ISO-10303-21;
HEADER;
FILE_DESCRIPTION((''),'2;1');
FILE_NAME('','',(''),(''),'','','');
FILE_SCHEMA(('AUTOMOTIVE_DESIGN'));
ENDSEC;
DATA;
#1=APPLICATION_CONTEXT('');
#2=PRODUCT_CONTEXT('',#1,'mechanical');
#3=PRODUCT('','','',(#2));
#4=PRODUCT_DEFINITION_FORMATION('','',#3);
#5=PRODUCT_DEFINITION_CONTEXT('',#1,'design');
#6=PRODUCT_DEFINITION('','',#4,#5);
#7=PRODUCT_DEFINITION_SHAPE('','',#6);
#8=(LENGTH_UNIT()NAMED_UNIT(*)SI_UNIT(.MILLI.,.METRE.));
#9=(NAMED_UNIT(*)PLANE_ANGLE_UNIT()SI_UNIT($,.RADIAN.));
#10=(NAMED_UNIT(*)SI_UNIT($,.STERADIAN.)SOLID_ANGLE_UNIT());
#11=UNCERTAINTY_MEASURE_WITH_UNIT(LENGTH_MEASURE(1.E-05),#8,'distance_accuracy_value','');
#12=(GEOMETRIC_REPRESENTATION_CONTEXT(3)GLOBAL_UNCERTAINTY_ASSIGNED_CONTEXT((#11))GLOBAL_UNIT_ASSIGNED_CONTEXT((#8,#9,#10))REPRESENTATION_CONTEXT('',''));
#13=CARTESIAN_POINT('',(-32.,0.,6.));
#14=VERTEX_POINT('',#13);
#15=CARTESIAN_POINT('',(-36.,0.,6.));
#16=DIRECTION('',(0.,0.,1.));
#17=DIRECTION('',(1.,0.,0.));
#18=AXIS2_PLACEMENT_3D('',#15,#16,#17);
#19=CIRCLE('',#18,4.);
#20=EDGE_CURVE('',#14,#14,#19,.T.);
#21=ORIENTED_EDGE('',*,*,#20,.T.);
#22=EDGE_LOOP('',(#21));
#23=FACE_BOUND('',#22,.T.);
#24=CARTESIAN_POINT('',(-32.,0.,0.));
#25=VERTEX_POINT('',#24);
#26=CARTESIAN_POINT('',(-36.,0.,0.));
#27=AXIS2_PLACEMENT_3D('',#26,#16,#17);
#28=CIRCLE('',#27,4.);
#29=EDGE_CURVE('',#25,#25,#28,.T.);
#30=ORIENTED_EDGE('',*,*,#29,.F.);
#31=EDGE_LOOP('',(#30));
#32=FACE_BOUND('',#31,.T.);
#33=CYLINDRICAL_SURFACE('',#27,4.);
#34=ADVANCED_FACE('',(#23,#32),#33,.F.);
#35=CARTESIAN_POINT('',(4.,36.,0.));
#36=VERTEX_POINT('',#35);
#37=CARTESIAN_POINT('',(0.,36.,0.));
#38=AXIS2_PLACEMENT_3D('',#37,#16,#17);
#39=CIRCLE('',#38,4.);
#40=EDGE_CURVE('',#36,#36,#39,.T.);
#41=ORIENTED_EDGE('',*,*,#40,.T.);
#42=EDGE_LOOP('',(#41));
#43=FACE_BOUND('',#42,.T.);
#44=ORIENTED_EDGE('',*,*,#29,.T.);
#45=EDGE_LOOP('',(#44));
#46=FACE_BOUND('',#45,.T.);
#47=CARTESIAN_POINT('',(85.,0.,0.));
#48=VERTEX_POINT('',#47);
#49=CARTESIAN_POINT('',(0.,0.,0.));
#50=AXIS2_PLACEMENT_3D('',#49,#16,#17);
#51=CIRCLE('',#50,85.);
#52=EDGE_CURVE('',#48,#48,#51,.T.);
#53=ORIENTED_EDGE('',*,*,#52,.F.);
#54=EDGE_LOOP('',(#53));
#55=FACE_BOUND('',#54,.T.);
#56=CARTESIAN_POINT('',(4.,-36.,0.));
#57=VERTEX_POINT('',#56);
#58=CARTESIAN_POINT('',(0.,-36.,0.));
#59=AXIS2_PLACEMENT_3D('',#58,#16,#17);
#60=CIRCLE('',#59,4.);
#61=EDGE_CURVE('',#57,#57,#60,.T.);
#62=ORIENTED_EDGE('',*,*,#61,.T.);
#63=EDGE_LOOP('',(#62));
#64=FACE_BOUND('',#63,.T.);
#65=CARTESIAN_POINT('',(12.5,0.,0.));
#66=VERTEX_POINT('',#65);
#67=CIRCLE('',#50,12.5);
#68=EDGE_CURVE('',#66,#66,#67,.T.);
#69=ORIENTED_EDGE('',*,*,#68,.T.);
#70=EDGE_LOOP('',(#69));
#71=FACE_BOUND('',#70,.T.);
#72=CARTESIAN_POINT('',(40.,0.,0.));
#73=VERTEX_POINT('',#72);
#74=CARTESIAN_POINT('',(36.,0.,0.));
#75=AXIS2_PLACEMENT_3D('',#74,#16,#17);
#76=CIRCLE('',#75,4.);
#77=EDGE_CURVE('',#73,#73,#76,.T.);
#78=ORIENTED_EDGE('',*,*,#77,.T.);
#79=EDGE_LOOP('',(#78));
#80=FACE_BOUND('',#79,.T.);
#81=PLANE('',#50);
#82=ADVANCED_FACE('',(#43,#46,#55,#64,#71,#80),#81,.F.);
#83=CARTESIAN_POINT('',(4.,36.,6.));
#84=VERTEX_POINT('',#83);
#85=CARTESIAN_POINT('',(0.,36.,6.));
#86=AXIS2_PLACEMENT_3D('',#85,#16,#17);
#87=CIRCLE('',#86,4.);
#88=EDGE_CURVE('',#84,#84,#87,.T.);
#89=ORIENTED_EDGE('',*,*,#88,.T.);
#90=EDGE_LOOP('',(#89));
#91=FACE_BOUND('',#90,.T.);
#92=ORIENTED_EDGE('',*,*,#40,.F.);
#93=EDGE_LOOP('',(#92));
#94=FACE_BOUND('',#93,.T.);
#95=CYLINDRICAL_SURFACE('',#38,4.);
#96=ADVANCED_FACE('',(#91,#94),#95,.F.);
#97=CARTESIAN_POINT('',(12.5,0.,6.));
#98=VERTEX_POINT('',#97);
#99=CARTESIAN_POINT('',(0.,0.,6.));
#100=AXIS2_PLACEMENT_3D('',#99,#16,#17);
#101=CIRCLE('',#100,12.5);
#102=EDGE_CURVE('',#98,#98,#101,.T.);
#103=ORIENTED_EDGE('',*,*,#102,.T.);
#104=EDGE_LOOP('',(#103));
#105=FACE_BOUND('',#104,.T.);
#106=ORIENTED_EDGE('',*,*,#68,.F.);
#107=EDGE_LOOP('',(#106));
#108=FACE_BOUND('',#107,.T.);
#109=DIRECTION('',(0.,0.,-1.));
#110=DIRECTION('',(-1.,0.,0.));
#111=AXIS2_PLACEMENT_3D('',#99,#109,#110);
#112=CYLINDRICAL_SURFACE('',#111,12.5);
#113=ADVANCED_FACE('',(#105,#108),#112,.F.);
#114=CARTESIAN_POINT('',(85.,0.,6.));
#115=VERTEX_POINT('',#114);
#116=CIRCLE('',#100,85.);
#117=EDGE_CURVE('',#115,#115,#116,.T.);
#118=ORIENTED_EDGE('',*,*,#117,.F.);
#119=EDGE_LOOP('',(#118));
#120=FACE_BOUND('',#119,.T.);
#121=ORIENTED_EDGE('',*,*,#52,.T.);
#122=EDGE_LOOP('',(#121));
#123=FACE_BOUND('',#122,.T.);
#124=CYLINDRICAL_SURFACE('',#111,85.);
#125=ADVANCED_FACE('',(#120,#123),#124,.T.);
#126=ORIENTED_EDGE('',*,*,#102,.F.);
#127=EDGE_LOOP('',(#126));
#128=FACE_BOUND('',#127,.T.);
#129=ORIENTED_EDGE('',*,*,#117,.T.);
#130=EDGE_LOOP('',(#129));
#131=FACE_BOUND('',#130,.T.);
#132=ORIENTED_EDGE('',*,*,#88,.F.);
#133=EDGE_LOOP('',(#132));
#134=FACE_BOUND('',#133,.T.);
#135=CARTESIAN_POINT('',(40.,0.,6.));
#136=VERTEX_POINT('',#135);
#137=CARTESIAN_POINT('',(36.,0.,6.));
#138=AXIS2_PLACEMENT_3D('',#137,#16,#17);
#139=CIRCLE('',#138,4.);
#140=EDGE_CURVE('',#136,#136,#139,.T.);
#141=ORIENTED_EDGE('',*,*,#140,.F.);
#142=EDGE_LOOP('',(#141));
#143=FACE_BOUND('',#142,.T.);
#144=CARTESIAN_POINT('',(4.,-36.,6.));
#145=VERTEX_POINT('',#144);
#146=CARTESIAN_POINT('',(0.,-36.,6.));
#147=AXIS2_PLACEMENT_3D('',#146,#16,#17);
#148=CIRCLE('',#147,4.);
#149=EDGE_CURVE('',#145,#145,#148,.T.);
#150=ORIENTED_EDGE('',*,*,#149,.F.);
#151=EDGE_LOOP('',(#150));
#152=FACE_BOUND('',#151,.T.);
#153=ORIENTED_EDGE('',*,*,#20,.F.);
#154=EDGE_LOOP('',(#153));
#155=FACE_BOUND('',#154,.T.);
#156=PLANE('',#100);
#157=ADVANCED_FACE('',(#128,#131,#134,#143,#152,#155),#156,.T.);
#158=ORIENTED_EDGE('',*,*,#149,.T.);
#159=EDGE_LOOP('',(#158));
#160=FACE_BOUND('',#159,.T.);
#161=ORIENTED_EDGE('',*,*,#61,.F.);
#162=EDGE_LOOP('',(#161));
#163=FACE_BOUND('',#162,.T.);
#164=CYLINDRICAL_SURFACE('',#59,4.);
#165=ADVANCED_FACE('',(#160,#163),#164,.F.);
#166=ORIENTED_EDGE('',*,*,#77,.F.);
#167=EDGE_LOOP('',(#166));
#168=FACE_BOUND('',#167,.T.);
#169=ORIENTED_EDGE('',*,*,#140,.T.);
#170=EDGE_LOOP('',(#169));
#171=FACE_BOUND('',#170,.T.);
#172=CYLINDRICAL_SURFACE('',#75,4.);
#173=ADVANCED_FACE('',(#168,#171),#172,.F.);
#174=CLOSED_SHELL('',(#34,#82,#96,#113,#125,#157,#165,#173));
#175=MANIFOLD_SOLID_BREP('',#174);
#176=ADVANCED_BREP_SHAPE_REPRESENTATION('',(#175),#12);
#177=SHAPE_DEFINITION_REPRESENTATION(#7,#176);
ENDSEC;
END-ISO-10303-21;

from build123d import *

# Parameters (mm, degrees)
SKETCH1_R           = 85
SKETCH1_R_2         = 12.5
BOSS_EXTRUDE1_DEPTH = 6
SKETCH2_R           = 4
CUT_EXTRUDE1_DEPTH  = 121.357799913


with BuildPart() as part:
    # Sketch1 → Boss-Extrude1 (new body)
    with BuildSketch(Plane.XY):
        Circle(SKETCH1_R)
        Circle(SKETCH1_R_2, mode=Mode.SUBTRACT)
    extrude(amount=BOSS_EXTRUDE1_DEPTH)

    # Sketch2 → Cut-Extrude1 (cut, through all)
    with BuildSketch(Plane.XY.offset(6)):
        with Locations((0, 36)):
            Circle(SKETCH2_R)
        with Locations((36, 0)):
            Circle(SKETCH2_R)
        with Locations((0, -36)):
            Circle(SKETCH2_R)
        with Locations((-36, 0)):
            Circle(SKETCH2_R)
    extrude(amount=-CUT_EXTRUDE1_DEPTH, mode=Mode.SUBTRACT)


solid = part.part
